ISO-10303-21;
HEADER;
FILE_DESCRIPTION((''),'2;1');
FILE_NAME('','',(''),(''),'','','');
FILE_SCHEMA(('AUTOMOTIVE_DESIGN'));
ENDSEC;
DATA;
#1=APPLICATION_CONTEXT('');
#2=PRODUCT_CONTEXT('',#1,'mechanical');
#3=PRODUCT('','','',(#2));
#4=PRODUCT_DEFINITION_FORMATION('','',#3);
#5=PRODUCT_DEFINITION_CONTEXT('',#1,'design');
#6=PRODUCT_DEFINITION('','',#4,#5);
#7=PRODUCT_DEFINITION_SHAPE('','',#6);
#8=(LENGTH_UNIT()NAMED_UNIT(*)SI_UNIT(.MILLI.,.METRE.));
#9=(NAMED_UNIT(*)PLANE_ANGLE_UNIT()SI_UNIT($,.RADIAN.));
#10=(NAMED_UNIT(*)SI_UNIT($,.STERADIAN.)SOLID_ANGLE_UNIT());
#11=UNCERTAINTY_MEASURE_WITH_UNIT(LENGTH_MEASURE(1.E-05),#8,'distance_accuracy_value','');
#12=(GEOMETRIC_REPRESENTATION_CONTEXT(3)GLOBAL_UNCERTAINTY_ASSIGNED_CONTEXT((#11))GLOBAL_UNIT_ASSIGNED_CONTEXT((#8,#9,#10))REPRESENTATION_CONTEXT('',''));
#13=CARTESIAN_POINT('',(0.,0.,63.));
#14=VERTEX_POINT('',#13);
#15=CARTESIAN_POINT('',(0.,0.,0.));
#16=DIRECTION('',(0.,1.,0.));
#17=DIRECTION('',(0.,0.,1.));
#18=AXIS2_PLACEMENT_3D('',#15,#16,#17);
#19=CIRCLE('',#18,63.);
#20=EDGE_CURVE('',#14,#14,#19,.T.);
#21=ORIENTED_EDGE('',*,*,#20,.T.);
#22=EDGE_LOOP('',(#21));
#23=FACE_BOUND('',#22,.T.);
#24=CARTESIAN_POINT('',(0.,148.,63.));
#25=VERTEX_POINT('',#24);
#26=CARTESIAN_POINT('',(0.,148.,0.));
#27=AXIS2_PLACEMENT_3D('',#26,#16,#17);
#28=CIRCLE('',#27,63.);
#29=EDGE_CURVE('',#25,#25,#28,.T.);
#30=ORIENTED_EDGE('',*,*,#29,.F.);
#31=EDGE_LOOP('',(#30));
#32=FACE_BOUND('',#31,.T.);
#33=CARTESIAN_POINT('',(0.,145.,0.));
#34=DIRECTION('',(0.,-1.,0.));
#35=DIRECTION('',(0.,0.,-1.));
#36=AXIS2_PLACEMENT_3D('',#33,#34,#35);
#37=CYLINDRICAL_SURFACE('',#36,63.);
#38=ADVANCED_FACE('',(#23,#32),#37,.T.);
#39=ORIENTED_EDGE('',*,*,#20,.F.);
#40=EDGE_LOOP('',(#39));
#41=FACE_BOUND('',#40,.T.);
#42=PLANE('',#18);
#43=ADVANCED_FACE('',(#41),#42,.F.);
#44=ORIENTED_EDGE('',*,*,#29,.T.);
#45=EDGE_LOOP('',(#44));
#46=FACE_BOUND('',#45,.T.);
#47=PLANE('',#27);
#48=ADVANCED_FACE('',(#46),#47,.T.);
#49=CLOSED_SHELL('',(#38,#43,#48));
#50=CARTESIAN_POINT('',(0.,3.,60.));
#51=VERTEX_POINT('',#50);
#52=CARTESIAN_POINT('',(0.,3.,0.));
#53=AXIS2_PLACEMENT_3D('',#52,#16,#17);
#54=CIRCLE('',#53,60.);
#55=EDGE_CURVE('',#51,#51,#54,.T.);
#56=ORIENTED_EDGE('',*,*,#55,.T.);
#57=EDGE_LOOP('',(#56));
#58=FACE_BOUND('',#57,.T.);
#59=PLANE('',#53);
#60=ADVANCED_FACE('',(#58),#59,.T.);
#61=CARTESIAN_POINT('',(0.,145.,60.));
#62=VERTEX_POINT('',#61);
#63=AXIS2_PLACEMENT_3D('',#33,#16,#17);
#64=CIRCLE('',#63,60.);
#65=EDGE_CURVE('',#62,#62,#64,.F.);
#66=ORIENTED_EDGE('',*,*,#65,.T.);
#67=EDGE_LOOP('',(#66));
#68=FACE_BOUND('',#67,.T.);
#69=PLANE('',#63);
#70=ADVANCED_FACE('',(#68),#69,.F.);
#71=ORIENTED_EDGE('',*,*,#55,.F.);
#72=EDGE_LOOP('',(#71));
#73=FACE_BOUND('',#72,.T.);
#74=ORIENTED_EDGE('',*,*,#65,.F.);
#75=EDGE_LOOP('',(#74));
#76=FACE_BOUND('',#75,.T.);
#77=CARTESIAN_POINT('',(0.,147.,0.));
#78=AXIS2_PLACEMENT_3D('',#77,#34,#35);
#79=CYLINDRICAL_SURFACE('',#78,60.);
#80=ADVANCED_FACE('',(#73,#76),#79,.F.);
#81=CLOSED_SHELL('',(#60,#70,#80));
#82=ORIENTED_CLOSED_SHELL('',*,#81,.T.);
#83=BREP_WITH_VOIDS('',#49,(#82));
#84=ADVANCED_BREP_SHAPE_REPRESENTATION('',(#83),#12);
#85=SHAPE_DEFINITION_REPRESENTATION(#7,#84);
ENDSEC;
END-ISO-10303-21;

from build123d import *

# Parameters (mm, degrees)
CROQUIS1_R                 = 63
SALIENTE_EXTRUIR1_DEPTH    = 145
CROQUIS2_R                 = 60
CORTAR_EXTRUIR1_DEPTH      = 2
CORTAR_EXTRUIR1_DEPTH_BACK = 142
CROQUIS3_R                 = 63
SALIENTE_EXTRUIR2_DEPTH    = 3


with BuildPart() as part:
    # Croquis1 → Saliente-Extruir1 (new body)
    with BuildSketch(Plane(origin=(0, 0, 0), x_dir=(1, 0, 0), z_dir=(0, 1, 0))):
        Circle(CROQUIS1_R)
    extrude(amount=SALIENTE_EXTRUIR1_DEPTH)

    # Croquis2 → Cortar-Extruir1 (cut, two sides)
    with BuildSketch(Plane(origin=(0, 145, 0), x_dir=(1, 0, 0), z_dir=(0, 1, 0))) as cortar_extruir1_sk:
        Circle(CROQUIS2_R)
    extrude(amount=CORTAR_EXTRUIR1_DEPTH, mode=Mode.SUBTRACT)
    extrude(cortar_extruir1_sk.sketch, amount=-CORTAR_EXTRUIR1_DEPTH_BACK, mode=Mode.SUBTRACT)

    # Croquis3 → Saliente-Extruir2 (add)
    with BuildSketch(Plane(origin=(0, 145, 0), x_dir=(1, 0, 0), z_dir=(0, 1, 0))):
        Circle(CROQUIS3_R)
    extrude(amount=SALIENTE_EXTRUIR2_DEPTH)


solid = part.part
